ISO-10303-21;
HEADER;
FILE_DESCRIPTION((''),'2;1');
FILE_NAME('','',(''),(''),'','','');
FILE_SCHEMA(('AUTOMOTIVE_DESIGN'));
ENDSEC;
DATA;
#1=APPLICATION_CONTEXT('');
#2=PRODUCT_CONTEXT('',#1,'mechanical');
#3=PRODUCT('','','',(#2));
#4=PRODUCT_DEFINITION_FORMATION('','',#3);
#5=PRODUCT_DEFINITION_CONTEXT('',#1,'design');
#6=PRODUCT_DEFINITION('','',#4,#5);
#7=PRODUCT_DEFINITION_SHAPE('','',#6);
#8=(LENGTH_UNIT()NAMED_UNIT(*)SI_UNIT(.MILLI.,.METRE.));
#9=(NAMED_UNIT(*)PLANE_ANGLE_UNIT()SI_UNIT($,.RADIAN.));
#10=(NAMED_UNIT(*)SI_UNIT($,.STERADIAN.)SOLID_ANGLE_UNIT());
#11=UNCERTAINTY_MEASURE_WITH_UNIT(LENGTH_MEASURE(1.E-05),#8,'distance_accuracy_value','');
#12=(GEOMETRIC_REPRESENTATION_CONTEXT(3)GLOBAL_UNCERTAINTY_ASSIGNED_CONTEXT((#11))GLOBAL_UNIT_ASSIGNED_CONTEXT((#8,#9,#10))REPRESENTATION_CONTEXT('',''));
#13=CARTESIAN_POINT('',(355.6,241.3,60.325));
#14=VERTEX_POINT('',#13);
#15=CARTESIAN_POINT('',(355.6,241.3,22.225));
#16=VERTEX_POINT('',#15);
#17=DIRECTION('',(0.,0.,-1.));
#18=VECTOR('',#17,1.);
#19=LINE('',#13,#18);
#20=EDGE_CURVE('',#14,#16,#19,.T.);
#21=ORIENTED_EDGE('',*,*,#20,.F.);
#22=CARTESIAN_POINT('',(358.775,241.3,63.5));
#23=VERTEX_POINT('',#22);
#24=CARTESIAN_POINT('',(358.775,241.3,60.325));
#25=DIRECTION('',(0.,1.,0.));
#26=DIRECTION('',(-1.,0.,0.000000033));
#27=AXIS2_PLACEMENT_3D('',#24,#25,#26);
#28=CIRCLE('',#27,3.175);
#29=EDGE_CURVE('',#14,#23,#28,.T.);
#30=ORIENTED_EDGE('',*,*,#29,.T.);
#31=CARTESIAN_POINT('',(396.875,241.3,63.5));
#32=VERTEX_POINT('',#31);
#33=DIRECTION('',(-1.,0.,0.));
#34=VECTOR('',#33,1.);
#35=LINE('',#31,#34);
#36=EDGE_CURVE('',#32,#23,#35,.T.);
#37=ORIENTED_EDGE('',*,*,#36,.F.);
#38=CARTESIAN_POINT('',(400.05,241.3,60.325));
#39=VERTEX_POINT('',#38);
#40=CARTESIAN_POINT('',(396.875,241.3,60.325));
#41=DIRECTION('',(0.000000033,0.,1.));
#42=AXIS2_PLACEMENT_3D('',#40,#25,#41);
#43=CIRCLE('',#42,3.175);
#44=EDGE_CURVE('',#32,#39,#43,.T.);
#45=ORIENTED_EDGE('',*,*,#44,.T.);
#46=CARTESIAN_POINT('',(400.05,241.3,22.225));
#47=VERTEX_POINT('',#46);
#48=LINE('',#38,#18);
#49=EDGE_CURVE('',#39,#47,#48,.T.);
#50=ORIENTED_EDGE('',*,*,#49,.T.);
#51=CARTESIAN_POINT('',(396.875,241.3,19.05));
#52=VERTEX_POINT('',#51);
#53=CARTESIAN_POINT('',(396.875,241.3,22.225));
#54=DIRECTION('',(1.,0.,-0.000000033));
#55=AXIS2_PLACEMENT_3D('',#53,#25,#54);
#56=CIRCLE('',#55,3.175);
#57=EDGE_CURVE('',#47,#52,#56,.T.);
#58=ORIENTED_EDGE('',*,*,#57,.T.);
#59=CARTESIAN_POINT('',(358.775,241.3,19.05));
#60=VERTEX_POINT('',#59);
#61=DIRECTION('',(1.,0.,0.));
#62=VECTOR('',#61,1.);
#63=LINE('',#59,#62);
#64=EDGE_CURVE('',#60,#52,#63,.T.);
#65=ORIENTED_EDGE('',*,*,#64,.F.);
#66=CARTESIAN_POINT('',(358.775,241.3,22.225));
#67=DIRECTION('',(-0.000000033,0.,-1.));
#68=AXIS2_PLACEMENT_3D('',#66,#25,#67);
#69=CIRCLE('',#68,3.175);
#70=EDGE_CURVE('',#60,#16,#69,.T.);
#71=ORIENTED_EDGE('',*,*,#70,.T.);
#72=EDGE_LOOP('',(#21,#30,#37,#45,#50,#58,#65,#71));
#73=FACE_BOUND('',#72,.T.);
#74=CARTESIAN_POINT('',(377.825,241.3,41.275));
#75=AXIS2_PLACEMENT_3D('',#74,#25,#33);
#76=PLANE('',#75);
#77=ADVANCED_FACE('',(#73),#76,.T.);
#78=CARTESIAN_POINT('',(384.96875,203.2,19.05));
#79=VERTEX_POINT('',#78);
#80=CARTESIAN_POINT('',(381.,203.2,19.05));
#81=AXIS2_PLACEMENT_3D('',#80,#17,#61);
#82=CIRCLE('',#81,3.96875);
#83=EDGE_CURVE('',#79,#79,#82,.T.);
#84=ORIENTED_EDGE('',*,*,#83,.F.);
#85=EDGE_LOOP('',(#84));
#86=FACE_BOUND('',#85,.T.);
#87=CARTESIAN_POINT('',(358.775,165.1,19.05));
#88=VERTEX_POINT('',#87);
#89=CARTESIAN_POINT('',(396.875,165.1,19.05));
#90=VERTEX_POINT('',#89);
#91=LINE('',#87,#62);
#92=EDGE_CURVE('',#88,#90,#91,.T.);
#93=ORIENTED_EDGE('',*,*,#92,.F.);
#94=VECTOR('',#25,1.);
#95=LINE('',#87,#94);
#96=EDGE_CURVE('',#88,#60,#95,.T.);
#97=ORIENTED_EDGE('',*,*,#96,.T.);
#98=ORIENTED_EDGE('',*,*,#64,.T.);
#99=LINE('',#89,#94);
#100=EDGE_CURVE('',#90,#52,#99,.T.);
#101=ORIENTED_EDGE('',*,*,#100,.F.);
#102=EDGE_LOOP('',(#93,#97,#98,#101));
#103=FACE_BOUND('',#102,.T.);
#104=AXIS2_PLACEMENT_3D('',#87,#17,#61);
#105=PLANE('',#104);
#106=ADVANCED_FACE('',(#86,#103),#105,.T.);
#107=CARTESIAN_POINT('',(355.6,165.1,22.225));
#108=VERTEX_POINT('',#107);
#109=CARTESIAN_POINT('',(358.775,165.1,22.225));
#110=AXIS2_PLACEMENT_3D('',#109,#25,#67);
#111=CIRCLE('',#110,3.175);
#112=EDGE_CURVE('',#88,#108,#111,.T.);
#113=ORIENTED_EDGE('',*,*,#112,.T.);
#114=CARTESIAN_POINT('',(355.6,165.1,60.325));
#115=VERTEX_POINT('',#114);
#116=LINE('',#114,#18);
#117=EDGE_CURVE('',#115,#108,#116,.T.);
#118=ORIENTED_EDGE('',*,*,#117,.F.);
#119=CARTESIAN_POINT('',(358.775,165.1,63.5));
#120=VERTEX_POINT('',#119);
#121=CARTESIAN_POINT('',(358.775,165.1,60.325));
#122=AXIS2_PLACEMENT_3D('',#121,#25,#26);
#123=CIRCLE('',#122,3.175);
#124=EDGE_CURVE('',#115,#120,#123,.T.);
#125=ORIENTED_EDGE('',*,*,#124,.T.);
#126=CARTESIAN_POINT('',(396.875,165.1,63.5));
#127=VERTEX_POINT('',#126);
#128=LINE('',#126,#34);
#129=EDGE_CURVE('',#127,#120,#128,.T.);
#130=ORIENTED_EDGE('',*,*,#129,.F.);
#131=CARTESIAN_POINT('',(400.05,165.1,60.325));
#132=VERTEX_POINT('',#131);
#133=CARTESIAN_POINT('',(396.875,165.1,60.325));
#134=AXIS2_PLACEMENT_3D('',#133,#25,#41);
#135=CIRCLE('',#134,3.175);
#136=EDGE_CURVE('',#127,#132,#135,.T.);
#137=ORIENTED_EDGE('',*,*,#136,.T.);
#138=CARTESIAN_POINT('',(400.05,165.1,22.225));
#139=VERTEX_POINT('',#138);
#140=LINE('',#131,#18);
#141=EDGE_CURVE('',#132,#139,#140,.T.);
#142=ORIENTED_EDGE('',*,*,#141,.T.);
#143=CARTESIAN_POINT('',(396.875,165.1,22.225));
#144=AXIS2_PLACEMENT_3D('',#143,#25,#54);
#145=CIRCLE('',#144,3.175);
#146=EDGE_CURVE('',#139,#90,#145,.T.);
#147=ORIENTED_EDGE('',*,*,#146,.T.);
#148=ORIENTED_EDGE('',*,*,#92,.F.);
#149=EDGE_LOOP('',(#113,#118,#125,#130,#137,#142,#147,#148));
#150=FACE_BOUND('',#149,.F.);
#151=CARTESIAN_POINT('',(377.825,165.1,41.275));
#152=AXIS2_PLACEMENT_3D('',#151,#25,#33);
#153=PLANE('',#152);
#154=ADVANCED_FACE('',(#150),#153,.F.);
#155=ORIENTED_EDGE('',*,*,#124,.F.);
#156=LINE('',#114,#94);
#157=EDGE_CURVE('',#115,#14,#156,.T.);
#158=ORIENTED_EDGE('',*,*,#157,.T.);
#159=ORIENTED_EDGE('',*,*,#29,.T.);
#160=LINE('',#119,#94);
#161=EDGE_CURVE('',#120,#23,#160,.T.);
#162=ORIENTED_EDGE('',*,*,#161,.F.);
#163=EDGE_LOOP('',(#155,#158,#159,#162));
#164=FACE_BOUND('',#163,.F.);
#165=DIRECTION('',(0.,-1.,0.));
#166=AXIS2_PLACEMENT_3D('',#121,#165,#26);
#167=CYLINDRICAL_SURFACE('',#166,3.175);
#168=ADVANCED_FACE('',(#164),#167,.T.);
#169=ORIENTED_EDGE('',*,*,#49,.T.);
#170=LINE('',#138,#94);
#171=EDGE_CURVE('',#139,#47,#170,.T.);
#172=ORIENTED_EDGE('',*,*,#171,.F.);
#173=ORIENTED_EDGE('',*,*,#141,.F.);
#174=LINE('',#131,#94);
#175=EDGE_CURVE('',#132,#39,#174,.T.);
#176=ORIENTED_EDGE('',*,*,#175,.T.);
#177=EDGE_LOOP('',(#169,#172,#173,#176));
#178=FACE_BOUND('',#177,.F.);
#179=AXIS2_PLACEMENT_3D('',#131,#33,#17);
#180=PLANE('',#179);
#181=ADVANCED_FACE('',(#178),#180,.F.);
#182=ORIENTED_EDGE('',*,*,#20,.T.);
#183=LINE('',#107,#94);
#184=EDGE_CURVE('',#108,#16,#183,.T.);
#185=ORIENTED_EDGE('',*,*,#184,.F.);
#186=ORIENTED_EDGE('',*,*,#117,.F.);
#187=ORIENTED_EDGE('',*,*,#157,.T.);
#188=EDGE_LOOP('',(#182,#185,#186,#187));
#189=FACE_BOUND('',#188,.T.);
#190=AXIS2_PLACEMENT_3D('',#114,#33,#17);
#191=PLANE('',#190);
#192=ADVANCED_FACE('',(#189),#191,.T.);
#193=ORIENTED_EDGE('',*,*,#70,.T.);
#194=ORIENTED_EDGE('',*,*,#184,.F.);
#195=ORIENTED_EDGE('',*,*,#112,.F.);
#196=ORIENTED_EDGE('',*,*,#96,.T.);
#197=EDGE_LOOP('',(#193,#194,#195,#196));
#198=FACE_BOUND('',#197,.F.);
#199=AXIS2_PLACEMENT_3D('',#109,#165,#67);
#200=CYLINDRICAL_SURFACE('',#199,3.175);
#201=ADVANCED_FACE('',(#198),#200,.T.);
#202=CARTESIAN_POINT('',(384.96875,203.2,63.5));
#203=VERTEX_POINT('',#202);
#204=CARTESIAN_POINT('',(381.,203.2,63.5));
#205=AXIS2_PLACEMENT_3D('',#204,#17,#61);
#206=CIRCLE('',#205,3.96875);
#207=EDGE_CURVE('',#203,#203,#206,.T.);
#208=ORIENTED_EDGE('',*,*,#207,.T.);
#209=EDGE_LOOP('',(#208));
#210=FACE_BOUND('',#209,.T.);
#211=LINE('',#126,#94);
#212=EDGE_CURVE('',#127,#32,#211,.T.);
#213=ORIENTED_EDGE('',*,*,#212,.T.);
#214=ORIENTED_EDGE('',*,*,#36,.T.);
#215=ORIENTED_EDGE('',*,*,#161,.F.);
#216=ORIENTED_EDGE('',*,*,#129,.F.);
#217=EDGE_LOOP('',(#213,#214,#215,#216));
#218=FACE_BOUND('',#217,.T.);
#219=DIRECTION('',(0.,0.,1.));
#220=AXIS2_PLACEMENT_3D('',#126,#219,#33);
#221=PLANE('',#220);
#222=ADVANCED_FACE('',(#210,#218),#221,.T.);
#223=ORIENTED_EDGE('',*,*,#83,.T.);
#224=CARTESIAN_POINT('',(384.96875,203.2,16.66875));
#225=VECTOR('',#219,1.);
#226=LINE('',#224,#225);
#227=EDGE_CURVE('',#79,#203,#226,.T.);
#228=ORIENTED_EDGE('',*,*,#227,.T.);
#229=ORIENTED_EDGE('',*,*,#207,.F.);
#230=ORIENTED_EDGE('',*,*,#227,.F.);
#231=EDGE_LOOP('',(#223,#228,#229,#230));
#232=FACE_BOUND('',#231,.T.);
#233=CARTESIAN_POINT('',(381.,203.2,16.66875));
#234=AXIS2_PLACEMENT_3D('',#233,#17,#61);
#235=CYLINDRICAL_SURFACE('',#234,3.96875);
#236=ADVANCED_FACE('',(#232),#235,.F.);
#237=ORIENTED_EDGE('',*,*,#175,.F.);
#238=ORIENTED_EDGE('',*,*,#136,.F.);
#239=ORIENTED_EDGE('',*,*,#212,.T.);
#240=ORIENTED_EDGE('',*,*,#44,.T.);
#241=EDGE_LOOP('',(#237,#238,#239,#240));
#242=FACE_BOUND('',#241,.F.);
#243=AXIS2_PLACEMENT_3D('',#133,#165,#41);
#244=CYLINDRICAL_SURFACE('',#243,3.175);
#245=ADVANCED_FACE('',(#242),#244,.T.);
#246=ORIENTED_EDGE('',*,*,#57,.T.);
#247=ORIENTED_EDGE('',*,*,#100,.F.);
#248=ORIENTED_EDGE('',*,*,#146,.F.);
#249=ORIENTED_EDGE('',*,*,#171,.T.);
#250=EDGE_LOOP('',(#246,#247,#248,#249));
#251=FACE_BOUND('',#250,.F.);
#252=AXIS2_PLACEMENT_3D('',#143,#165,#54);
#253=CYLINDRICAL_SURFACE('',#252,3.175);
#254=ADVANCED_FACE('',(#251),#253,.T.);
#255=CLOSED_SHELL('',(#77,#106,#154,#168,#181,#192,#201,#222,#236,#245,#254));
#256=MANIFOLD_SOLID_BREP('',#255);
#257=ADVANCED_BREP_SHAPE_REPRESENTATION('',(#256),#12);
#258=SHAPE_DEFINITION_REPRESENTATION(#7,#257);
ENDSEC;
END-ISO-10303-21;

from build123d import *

# Parameters (mm, degrees)
CYLINDER_R                 = 3.96875
CYLINDER_DEPTH             = 50.8
EXTRUDE017_DEPTH           = 76.2
EXTRUDE017_ROLL_ANGLE      = 90
EXTRUDE017_PLACEMENT_ANGLE = 180


with BuildPart() as cylinder:
    # Cylinder → Cylinder (new body)
    with BuildSketch(Plane(origin=(381, 203.2, 16.66875), x_dir=(1, 0, 0), z_dir=(0, 0, 1))):
        Circle(CYLINDER_R)
    extrude(amount=CYLINDER_DEPTH)


with BuildPart() as baffle_anchor_a:
    # Sketch017 → Extrude017 (new body)
    with BuildSketch(Plane.XY):
        with BuildLine():
            Line((0, 41.275), (0, 3.175))
            ThreePointArc((0, 3.175), (0.929936, 0.929936), (3.175, 0))
            Line((41.275, 0), (3.175, 0))
            ThreePointArc((41.275, 0), (43.520064, 0.929936), (44.45, 3.175))
            Line((44.45, 41.275), (44.45, 3.175))
            ThreePointArc((44.45, 41.275), (43.520064, 43.520064), (41.275, 44.45))
            Line((3.175, 44.45), (41.275, 44.45))
            ThreePointArc((3.175, 44.45), (0.929936, 43.520064), (0, 41.275))
        make_face()
    extrude(amount=EXTRUDE017_DEPTH)


with BuildPart() as baffle_anchor_a_1:
    # Extrude017 roll: moved
    add(baffle_anchor_a.part.rotate(Axis((0, 0, 0), (1, 0, 0)), EXTRUDE017_ROLL_ANGLE))


with BuildPart() as baffle_anchor_a_2:
    # Extrude017 placement: moved
    add(baffle_anchor_a_1.part.moved(Location((400.05, 165.1, 19.05))).rotate(Axis((400.05, 165.1, 19.05), (0, 0, 1)), EXTRUDE017_PLACEMENT_ANGLE))

    # Cut: cut Cylinder
    add(cylinder.part, mode=Mode.SUBTRACT)


solid = baffle_anchor_a_2.part
